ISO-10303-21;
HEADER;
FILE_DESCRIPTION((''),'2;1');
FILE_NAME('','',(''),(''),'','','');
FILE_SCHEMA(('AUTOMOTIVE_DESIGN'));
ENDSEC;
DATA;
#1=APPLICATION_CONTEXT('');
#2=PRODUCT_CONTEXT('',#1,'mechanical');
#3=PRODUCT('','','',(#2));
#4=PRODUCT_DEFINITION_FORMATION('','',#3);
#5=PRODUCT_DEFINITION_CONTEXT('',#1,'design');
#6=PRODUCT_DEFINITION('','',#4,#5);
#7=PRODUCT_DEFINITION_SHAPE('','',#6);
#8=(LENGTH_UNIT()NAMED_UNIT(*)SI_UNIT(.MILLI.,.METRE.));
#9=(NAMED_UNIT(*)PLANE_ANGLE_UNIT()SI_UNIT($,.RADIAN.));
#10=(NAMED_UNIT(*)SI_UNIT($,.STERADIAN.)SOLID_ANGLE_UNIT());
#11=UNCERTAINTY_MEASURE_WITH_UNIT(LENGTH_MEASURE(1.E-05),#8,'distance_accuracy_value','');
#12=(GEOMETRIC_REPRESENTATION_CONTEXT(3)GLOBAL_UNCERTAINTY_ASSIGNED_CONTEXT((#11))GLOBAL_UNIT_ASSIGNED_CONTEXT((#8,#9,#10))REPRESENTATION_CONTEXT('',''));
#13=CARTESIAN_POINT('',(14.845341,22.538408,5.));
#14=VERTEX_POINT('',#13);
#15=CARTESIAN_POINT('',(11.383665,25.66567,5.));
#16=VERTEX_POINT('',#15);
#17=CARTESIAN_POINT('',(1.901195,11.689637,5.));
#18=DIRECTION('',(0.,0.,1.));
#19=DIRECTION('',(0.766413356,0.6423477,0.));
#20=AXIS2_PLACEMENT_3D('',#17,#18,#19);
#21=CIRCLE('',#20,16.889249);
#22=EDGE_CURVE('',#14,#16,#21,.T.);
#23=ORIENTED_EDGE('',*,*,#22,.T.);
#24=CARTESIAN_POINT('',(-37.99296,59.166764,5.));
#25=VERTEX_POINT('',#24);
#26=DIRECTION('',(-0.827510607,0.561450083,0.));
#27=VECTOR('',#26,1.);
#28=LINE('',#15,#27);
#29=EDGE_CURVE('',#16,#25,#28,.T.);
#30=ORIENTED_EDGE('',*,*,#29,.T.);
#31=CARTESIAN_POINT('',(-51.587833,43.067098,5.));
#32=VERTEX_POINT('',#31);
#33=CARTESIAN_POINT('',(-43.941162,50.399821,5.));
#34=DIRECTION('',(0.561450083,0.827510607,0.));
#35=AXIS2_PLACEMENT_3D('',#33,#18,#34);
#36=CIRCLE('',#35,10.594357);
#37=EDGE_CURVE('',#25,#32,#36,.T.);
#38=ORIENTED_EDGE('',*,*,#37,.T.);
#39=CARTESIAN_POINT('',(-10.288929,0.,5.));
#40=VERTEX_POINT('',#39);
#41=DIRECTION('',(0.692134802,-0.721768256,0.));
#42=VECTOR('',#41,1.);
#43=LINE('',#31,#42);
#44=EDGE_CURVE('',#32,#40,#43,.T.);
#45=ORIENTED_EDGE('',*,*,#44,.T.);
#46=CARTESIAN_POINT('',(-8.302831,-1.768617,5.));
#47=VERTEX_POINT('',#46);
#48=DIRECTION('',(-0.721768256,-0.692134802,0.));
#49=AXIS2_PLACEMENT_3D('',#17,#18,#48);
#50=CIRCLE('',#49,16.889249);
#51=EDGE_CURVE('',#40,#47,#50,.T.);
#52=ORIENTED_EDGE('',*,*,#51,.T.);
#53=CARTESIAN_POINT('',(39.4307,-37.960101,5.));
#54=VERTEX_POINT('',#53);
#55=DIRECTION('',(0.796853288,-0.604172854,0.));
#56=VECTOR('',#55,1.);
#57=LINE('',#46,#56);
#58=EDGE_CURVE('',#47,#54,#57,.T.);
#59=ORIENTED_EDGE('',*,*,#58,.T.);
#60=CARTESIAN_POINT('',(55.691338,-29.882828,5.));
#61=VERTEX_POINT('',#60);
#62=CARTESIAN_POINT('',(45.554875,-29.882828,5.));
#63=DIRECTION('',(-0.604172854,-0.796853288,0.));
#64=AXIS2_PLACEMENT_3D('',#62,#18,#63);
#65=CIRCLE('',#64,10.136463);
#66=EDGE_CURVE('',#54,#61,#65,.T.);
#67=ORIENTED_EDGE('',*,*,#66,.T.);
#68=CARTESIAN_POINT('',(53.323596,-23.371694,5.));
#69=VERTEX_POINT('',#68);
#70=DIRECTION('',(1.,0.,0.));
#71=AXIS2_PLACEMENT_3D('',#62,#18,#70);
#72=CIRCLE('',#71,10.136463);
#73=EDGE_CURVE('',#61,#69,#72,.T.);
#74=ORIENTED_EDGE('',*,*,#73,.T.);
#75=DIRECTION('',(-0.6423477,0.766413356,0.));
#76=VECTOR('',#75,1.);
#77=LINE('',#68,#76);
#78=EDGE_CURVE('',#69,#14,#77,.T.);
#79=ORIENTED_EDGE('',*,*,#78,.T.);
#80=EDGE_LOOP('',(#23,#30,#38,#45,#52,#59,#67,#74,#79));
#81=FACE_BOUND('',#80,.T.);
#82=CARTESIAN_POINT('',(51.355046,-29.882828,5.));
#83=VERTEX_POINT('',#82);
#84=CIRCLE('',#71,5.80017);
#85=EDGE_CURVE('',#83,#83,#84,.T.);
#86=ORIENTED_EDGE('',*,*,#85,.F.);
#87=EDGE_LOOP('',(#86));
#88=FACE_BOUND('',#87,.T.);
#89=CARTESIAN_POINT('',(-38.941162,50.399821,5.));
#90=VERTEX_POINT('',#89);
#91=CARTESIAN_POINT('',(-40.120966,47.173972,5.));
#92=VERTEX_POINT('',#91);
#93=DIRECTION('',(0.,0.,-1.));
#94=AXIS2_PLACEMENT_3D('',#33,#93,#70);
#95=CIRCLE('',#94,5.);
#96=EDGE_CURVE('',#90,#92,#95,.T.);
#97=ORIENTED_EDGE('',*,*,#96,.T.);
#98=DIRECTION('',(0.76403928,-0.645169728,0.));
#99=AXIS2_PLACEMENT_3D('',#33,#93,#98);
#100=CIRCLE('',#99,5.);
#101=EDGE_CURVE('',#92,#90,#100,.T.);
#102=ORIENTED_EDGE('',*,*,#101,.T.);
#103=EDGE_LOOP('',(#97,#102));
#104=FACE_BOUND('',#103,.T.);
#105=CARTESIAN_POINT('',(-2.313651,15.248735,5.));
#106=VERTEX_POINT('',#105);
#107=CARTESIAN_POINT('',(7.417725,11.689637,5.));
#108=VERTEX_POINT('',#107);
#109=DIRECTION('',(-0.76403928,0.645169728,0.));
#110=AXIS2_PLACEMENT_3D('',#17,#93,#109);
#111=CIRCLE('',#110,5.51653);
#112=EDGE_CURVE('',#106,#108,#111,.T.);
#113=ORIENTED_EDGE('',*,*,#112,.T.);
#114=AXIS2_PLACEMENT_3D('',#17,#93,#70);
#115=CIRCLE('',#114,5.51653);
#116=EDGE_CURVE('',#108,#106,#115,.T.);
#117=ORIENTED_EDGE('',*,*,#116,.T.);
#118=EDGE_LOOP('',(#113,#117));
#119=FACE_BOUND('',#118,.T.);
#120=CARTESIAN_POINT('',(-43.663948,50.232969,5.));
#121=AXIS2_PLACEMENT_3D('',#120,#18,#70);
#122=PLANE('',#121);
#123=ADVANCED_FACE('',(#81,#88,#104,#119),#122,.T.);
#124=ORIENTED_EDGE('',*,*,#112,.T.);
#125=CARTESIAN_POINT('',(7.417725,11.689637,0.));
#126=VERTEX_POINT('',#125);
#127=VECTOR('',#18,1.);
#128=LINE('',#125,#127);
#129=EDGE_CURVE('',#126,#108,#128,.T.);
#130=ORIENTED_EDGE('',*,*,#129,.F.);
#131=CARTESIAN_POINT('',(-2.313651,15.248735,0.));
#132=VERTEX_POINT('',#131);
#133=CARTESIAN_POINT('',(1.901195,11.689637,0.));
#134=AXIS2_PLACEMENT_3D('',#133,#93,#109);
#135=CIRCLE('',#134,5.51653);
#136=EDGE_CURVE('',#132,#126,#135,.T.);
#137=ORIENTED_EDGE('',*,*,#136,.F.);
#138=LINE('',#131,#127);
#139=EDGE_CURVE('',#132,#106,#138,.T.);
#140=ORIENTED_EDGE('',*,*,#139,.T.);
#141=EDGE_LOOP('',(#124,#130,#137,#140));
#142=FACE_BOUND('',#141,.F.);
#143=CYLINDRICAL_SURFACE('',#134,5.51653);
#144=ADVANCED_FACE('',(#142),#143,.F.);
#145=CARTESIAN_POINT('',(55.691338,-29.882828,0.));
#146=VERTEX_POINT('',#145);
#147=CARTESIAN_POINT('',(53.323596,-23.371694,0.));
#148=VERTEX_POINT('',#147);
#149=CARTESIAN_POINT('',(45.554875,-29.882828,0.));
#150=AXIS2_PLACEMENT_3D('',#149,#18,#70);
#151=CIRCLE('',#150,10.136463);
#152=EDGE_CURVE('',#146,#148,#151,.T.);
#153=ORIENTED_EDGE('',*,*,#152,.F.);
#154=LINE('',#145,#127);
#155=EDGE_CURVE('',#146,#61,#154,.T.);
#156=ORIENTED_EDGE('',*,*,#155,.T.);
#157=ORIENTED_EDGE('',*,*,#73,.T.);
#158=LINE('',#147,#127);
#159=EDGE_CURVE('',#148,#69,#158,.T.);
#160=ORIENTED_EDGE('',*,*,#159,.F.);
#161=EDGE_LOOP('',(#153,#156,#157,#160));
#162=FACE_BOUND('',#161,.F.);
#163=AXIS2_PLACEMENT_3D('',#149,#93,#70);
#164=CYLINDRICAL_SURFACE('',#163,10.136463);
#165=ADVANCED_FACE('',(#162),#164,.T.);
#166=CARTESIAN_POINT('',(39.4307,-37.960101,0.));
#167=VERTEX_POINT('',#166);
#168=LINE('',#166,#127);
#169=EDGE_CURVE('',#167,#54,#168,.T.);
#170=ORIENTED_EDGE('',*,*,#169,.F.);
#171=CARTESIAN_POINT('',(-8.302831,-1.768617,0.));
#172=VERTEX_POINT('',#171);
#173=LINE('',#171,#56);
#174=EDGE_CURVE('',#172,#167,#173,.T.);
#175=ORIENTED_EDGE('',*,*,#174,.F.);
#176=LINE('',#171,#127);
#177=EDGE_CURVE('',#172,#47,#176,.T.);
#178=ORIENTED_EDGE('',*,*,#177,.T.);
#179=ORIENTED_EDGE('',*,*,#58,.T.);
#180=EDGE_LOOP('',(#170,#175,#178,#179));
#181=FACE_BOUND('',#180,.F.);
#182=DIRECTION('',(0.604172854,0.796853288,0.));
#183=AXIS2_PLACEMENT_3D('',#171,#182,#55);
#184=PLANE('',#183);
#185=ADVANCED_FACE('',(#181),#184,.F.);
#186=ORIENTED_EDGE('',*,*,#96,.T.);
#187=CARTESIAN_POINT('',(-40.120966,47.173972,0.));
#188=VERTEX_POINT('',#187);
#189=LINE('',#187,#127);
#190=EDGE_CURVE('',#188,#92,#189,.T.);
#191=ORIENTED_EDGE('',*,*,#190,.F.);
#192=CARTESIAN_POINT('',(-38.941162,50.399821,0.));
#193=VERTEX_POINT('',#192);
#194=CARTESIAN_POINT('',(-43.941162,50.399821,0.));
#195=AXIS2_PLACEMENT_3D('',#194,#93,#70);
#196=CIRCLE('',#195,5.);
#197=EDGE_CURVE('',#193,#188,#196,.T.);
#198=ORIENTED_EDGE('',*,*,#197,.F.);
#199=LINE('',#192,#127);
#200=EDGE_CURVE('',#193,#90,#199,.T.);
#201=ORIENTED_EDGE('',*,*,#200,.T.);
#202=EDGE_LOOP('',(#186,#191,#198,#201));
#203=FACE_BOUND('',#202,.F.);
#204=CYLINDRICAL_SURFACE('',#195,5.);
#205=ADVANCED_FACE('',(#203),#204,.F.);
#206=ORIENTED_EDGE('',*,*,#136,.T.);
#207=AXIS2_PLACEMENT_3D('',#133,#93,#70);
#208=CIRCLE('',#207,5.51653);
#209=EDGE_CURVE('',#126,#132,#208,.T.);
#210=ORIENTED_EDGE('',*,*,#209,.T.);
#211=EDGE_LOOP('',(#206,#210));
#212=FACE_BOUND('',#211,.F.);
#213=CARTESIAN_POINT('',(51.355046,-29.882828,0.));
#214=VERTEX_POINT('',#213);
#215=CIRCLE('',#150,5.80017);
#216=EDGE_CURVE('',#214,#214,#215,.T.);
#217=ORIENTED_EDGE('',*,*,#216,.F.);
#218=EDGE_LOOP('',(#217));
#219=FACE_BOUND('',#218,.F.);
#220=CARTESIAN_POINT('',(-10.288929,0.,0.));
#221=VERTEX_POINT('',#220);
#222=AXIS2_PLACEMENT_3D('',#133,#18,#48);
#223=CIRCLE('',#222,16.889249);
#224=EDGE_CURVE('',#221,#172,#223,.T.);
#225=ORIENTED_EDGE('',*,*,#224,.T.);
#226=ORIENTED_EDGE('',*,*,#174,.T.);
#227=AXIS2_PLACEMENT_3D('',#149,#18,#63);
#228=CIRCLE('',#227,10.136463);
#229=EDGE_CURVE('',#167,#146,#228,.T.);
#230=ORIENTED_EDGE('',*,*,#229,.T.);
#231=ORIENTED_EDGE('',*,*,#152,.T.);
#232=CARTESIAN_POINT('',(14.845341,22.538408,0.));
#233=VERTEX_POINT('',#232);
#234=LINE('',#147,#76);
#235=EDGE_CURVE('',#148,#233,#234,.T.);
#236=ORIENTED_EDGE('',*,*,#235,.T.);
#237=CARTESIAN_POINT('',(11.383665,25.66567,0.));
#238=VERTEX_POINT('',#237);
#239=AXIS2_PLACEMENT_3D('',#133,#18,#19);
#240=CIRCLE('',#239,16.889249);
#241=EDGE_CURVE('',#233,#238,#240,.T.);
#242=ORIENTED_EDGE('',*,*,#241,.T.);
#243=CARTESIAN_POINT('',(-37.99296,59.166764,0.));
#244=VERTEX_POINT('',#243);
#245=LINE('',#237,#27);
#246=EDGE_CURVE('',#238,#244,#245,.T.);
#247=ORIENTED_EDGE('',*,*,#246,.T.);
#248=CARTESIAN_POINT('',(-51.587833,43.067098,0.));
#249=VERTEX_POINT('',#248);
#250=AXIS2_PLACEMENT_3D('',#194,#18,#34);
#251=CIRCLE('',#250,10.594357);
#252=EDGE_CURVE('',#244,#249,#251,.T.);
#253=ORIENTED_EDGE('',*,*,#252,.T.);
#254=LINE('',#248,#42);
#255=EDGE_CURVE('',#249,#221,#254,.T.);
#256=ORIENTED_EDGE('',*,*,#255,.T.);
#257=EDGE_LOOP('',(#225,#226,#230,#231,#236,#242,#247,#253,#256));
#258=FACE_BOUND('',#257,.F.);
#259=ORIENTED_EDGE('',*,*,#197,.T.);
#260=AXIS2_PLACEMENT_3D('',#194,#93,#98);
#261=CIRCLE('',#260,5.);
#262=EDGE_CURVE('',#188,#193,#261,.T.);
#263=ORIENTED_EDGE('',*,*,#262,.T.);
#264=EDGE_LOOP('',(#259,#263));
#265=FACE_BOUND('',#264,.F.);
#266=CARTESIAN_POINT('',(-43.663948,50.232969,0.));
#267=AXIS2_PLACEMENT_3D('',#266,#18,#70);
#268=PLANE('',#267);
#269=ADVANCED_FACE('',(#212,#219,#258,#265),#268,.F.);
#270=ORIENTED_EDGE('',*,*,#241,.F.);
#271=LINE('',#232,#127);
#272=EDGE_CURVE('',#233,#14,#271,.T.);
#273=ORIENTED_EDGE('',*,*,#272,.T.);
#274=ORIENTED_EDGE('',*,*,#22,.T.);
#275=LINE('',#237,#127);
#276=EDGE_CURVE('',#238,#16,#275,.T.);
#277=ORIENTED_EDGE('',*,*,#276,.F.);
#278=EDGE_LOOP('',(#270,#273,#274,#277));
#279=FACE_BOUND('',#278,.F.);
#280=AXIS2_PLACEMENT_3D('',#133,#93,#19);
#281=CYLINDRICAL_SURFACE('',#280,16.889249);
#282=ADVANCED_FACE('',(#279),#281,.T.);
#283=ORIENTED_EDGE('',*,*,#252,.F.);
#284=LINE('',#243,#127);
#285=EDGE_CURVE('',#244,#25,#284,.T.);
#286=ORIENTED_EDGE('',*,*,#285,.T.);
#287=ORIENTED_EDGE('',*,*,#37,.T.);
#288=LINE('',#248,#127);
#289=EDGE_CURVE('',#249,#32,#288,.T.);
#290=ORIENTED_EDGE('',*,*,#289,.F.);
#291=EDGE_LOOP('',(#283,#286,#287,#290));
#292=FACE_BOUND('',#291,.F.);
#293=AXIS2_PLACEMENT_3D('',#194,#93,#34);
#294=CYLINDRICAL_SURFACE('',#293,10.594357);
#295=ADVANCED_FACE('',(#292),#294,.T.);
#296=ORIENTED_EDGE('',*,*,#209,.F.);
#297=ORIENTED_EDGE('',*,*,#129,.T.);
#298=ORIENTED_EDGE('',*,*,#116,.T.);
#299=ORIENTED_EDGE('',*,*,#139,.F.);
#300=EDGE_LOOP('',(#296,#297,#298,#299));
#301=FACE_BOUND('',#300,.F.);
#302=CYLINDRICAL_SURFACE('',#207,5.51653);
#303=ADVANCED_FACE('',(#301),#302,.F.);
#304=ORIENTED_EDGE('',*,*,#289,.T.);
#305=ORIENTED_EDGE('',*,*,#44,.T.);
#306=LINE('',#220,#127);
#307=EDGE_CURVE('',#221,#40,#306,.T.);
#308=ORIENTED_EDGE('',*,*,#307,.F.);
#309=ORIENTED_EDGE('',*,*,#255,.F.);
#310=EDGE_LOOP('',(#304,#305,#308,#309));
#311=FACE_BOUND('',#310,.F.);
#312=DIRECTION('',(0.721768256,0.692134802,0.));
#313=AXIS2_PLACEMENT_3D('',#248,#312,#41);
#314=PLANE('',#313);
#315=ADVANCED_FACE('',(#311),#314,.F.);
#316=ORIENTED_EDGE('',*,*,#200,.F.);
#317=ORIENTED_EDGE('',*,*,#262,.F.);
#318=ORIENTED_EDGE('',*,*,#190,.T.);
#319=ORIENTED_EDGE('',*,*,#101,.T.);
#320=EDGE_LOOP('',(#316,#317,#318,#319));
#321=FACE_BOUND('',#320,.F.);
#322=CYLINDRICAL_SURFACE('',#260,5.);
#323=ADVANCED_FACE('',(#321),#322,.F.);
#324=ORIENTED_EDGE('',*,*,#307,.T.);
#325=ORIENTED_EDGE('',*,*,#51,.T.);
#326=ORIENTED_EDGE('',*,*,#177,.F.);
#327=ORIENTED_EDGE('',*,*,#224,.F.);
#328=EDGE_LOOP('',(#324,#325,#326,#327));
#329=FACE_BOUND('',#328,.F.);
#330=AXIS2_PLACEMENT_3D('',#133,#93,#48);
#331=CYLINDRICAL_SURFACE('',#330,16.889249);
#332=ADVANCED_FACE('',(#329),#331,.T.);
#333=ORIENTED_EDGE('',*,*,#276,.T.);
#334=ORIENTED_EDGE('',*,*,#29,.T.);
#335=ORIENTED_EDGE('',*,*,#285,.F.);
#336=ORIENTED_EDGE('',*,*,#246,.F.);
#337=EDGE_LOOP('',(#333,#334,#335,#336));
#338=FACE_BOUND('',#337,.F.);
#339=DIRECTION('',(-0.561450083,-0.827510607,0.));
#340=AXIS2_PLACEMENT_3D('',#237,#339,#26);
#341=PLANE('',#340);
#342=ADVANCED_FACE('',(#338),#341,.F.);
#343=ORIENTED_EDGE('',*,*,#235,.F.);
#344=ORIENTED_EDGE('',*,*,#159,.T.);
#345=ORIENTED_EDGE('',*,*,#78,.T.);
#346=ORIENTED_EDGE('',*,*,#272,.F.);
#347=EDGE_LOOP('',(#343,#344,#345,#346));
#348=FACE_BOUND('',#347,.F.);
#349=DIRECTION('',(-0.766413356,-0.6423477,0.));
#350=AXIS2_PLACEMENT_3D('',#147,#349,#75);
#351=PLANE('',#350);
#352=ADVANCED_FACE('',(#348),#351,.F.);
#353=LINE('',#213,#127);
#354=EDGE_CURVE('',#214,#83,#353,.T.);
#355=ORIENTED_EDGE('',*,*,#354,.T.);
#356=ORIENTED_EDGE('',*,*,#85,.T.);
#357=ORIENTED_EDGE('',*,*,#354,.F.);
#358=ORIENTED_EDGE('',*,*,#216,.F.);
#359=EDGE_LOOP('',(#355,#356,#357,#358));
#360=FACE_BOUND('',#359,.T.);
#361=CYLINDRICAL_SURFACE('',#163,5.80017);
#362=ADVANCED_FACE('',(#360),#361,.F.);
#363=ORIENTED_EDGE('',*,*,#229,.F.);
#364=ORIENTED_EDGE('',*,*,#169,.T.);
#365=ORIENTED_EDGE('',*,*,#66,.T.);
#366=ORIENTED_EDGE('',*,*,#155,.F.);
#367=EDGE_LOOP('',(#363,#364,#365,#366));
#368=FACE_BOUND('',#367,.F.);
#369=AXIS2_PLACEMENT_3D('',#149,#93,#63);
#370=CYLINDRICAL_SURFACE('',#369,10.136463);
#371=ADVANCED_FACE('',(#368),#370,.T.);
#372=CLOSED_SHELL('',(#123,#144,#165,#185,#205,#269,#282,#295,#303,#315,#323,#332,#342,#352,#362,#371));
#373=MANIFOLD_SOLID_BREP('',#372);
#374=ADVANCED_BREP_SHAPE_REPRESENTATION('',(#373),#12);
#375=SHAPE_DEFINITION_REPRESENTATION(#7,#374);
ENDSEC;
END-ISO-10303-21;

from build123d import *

# Parameters (mm, degrees)
F0_R     = 5.8001703578
F1_DEPTH = 5


with BuildPart() as f1:
    # F0 (on Top) → F1 (new body)
    with BuildSketch(Plane.XY):
        with BuildLine():
            ThreePointArc((-51.5878325652, 43.0670979278), (-43.6064509364, 39.8107528074), (-35.8466573247, 43.5646626824))
            ThreePointArc((-35.8466573247, 43.5646626824), (-33.9913764501, 46.7608427975), (-33.3468052575, 50.3998210098))
            ThreePointArc((-33.3468052575, 50.3998210098), (-34.5801317872, 55.3608197394), (-37.9929595743, 59.1667636721))
            ThreePointArc((-37.9929595743, 59.1667636721), (-52.0356668806, 57.2349793372), (-51.5878325652, 43.0670979278))
        make_face()
        with BuildLine():
            ThreePointArc((-40.1209657017, 47.1739723683), (-48.6369571368, 52.1172344713), (-38.9411621027, 50.3998210098))
            ThreePointArc((-38.9411621027, 50.3998210098), (-39.2453670685, 48.6824075484), (-40.1209657017, 47.1739723683))
        make_face(mode=Mode.SUBTRACT)
        with BuildLine():
            ThreePointArc((-33.3468052575, 50.3998210098), (-33.9913764501, 46.7608427975), (-35.8466573247, 43.5646626824))
            Line((-35.8466573247, 43.5646626824), (-11.0028552614, 22.586069771))
            ThreePointArc((-11.0028552614, 22.586069771), (-0.4004973799, 28.421312646), (11.3836651948, 25.6656703485))
            Line((11.3836651948, 25.6656703485), (-37.9929595743, 59.1667636721))
            ThreePointArc((-37.9929595743, 59.1667636721), (-34.5801317872, 55.3608197394), (-33.3468052575, 50.3998210098))
        make_face()
        with BuildLine():
            Line((-11.0028552614, 22.586069771), (-35.8466573247, 43.5646626824))
            ThreePointArc((-35.8466573247, 43.5646626824), (-43.6064509364, 39.8107528074), (-51.5878325652, 43.0670979278))
            Line((-51.5878325652, 43.0670979278), (-10.2889293891, 0))
            ThreePointArc((-10.2889293891, 0), (-14.9796236946, 11.1560494348), (-11.0028552614, 22.586069771))
        make_face()
        with BuildLine():
            ThreePointArc((11.3836651948, 25.6656703485), (-0.4004973799, 28.421312646), (-11.0028552614, 22.586069771))
            ThreePointArc((-11.0028552614, 22.586069771), (-14.9796236946, 11.1560494348), (-10.2889293891, 0))
            ThreePointArc((-10.2889293891, 0), (-9.3307459574, -0.923461232), (-8.3028313172, -1.7686166191))
            ThreePointArc((-8.3028313172, -1.7686166191), (9.4147958872, -3.4362525243), (18.7904441289, 11.6896373111))
            ThreePointArc((18.7904441289, 11.6896373111), (17.7735553067, 17.4615447103), (14.8453410404, 22.5384078277))
            ThreePointArc((14.8453410404, 22.5384078277), (13.2229979304, 24.2221357766), (11.3836651948, 25.6656703485))
        make_face()
        with BuildLine():
            ThreePointArc((7.4177247191, 11.6896373111), (0.0063621285, 6.5087384654), (-2.3136509097, 15.2487354792))
            ThreePointArc((-2.3136509097, 15.2487354792), (3.7960272887, 16.8705361568), (7.4177247191, 11.6896373111))
        make_face(mode=Mode.SUBTRACT)
        with BuildLine():
            ThreePointArc((18.7904441289, 11.6896373111), (9.4147958872, -3.4362525243), (-8.3028313172, -1.7686166191))
            Line((-8.3028313172, -1.7686166191), (39.4306997632, -37.9601014858))
            ThreePointArc((39.4306997632, -37.9601014858), (38.2144708977, -22.8923814768), (53.3235958963, -23.3716942143))
            Line((53.3235958963, -23.3716942143), (14.8453410404, 22.5384078277))
            ThreePointArc((14.8453410404, 22.5384078277), (17.7735553067, 17.4615447103), (18.7904441289, 11.6896373111))
        make_face()
        with BuildLine():
            ThreePointArc((53.3235958963, -23.3716942143), (38.2144708977, -22.8923814768), (39.4306997632, -37.9601014858))
            ThreePointArc((39.4306997632, -37.9601014858), (50.0643321154, -38.9609706715), (55.6913382216, -29.8828277773))
            ThreePointArc((55.6913382216, -29.8828277773), (55.0810295299, -26.4186877688), (53.3235958963, -23.3716942143))
        make_face()
        with Locations((45.5548754228, -29.8828277773)):
            Circle(F0_R, mode=Mode.SUBTRACT)
    extrude(amount=F1_DEPTH)


solid = f1.part
